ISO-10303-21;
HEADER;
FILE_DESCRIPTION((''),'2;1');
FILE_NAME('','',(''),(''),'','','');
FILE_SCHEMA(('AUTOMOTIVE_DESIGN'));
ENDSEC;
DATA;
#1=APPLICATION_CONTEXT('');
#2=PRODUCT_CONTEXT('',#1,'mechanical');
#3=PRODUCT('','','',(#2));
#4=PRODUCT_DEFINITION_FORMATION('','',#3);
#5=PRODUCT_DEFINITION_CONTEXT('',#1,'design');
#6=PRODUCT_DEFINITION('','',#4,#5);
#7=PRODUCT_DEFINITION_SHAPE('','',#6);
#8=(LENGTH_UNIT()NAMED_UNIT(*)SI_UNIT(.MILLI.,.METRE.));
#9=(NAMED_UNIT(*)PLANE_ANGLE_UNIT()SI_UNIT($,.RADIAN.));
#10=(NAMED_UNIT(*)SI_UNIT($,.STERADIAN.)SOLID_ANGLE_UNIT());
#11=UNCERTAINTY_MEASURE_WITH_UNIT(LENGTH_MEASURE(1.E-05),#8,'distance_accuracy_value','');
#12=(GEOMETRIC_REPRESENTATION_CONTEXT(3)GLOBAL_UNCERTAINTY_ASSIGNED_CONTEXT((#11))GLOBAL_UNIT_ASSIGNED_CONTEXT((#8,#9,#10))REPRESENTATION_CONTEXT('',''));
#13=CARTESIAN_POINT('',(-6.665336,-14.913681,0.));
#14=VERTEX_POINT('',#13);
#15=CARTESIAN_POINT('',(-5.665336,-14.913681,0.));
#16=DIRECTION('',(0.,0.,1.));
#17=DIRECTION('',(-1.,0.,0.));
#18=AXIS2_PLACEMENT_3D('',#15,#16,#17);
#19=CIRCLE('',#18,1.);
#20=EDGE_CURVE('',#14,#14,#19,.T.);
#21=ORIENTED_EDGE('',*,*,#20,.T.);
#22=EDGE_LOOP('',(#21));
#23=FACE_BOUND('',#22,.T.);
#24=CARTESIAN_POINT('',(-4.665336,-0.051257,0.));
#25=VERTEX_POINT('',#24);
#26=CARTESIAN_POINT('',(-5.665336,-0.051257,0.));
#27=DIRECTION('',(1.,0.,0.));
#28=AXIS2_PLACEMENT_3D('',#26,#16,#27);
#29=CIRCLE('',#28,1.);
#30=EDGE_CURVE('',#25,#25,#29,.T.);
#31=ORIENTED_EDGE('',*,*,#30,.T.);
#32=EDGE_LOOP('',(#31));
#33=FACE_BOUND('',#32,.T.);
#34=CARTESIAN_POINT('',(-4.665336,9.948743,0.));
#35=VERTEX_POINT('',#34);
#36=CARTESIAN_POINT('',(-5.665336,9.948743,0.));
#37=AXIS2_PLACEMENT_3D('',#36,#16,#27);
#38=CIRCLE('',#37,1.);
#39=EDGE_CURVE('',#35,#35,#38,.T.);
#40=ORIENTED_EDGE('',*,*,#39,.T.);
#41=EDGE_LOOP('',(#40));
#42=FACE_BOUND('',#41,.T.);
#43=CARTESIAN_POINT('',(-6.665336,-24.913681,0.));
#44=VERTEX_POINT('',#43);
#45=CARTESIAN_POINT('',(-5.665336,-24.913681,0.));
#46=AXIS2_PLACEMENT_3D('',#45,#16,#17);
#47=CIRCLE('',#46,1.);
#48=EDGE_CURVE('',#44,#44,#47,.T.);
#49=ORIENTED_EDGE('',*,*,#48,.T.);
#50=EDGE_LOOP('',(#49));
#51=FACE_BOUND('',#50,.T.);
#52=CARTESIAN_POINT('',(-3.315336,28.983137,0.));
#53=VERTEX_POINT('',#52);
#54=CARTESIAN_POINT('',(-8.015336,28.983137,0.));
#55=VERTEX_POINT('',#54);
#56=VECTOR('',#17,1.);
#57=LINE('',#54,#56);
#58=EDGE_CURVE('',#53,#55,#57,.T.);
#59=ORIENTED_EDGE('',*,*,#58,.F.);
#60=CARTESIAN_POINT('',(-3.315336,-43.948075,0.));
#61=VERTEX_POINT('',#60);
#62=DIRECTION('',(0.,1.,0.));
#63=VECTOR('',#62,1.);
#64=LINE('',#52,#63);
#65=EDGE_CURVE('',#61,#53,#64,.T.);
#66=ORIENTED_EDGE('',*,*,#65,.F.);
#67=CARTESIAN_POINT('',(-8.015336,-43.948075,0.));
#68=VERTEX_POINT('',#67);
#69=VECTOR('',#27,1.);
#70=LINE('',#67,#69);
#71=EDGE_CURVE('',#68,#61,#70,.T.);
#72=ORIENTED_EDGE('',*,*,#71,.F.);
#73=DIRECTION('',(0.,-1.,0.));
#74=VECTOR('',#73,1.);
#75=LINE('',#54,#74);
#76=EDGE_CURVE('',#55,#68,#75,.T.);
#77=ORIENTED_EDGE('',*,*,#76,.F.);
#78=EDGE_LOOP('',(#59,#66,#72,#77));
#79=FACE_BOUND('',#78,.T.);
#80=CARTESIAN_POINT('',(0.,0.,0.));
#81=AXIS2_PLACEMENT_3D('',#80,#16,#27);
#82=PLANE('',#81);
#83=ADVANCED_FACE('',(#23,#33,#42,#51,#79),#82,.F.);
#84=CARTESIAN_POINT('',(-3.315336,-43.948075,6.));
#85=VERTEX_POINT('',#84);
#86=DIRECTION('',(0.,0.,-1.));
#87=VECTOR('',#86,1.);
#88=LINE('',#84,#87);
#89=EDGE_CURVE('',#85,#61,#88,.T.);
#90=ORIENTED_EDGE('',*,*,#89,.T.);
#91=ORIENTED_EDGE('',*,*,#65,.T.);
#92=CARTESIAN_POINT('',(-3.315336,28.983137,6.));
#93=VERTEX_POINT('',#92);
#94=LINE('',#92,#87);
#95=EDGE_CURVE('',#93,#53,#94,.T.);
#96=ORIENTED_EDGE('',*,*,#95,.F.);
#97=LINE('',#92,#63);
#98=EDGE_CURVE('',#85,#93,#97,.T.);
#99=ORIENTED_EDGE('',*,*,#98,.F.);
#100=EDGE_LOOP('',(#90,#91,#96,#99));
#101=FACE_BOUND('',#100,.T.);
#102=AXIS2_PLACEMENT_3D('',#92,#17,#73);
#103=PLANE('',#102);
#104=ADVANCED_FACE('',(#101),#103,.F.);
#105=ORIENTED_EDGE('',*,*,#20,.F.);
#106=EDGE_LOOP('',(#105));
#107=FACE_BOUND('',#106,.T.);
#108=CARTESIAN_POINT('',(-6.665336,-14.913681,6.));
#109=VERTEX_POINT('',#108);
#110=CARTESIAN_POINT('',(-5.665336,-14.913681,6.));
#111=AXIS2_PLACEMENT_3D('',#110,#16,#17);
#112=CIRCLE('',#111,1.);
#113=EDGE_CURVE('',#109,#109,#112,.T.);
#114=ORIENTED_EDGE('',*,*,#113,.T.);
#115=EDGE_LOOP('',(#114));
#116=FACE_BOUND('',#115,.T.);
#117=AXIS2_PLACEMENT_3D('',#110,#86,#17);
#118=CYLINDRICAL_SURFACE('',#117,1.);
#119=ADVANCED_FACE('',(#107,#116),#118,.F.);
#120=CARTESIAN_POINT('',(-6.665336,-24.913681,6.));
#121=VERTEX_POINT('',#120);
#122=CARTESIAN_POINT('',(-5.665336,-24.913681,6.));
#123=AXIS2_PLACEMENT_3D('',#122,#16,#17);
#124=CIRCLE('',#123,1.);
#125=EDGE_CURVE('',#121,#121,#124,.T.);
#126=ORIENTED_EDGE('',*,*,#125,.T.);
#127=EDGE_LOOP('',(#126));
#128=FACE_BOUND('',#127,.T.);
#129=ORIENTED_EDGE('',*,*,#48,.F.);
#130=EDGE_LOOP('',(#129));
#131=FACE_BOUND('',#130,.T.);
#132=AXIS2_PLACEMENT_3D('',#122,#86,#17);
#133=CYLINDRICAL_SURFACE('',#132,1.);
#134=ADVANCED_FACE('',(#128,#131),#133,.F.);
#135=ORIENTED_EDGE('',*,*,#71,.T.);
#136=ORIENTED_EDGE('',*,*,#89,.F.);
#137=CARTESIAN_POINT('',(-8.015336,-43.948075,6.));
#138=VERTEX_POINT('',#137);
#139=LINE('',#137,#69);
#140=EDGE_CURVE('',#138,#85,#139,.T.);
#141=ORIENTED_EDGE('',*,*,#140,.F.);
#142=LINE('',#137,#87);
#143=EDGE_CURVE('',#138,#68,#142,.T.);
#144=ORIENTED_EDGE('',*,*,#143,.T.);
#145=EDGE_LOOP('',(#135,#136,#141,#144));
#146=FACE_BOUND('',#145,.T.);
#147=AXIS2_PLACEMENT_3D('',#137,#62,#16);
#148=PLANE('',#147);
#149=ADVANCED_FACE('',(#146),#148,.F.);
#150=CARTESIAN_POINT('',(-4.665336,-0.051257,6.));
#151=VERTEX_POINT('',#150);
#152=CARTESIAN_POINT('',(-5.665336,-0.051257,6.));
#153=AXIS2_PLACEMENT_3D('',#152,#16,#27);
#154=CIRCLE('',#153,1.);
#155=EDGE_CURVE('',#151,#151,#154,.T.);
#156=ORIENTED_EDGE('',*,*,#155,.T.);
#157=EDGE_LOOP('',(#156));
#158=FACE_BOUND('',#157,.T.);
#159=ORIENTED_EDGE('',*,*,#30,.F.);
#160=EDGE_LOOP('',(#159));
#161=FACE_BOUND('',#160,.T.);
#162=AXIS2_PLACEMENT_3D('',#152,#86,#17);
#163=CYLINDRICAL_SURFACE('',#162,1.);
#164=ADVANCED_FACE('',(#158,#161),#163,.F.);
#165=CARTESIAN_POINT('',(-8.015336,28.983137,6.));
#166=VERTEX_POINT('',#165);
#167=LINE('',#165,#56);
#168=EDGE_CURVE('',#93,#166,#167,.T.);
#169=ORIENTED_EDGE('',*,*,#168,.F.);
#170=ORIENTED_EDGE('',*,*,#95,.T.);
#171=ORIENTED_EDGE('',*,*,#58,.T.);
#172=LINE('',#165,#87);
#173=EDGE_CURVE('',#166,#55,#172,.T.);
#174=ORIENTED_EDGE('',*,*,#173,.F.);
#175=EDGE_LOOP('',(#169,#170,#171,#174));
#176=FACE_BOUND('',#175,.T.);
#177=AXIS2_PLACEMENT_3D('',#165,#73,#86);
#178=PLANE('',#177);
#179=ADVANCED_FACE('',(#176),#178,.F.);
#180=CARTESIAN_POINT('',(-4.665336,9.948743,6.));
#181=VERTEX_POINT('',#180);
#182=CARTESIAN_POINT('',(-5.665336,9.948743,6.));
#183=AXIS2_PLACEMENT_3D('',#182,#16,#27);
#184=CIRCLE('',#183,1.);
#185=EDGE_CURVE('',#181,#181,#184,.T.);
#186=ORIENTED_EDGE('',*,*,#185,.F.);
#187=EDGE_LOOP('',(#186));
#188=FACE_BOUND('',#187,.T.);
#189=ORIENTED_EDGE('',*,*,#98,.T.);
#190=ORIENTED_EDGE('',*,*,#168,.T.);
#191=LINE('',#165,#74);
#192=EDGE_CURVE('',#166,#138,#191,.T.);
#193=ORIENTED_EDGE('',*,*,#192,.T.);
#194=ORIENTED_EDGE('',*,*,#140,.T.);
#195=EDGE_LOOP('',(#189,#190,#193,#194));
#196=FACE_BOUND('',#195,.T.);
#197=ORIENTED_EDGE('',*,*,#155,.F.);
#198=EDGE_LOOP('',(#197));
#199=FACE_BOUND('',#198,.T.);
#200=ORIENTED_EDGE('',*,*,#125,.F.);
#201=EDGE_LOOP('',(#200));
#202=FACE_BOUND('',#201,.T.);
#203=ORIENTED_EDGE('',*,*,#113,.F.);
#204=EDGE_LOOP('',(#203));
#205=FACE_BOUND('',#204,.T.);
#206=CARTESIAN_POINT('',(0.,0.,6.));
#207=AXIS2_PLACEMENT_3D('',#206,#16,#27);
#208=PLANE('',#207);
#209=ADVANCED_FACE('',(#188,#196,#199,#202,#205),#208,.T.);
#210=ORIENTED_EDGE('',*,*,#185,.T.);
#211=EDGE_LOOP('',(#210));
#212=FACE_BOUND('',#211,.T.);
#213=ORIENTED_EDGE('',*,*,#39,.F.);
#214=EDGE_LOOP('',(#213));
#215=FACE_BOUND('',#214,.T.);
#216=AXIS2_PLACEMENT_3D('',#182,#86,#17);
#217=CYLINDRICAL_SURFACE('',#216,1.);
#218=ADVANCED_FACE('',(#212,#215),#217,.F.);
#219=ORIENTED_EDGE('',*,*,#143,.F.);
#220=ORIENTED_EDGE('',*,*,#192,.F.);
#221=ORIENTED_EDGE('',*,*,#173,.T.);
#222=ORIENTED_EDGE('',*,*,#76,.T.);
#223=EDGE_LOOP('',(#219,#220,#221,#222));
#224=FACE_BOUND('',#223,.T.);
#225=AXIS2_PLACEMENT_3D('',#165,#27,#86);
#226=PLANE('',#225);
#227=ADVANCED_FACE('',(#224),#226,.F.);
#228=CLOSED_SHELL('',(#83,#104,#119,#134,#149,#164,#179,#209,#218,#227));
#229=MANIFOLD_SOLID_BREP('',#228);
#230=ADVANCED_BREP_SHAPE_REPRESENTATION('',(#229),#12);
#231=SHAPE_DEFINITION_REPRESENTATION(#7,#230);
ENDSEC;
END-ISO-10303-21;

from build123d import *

# Parameters (mm, degrees)
SKETCH1_W           = 4.7
SKETCH1_H           = 72.931211718
SKETCH1_R           = 1
BOSS_EXTRUDE1_DEPTH = 6


with BuildPart() as part:
    # Sketch1 → Boss-Extrude1 (new body)
    with BuildSketch(Plane.XY):
        with Locations((-5.665336409, -7.482469074)):
            Rectangle(SKETCH1_W, SKETCH1_H)
        with Locations((-5.665336409, 9.948742644)):
            Circle(SKETCH1_R, mode=Mode.SUBTRACT)
        with Locations((-5.665336409, -0.051257356)):
            Circle(SKETCH1_R, mode=Mode.SUBTRACT)
        with Locations(Location((-5.665336409, -14.913680791, 0), (0, 0, 180))):
            Circle(SKETCH1_R, mode=Mode.SUBTRACT)
        with Locations(Location((-5.665336409, -24.913680791, 0), (0, 0, 180))):
            Circle(SKETCH1_R, mode=Mode.SUBTRACT)
    extrude(amount=BOSS_EXTRUDE1_DEPTH)


solid = part.part
